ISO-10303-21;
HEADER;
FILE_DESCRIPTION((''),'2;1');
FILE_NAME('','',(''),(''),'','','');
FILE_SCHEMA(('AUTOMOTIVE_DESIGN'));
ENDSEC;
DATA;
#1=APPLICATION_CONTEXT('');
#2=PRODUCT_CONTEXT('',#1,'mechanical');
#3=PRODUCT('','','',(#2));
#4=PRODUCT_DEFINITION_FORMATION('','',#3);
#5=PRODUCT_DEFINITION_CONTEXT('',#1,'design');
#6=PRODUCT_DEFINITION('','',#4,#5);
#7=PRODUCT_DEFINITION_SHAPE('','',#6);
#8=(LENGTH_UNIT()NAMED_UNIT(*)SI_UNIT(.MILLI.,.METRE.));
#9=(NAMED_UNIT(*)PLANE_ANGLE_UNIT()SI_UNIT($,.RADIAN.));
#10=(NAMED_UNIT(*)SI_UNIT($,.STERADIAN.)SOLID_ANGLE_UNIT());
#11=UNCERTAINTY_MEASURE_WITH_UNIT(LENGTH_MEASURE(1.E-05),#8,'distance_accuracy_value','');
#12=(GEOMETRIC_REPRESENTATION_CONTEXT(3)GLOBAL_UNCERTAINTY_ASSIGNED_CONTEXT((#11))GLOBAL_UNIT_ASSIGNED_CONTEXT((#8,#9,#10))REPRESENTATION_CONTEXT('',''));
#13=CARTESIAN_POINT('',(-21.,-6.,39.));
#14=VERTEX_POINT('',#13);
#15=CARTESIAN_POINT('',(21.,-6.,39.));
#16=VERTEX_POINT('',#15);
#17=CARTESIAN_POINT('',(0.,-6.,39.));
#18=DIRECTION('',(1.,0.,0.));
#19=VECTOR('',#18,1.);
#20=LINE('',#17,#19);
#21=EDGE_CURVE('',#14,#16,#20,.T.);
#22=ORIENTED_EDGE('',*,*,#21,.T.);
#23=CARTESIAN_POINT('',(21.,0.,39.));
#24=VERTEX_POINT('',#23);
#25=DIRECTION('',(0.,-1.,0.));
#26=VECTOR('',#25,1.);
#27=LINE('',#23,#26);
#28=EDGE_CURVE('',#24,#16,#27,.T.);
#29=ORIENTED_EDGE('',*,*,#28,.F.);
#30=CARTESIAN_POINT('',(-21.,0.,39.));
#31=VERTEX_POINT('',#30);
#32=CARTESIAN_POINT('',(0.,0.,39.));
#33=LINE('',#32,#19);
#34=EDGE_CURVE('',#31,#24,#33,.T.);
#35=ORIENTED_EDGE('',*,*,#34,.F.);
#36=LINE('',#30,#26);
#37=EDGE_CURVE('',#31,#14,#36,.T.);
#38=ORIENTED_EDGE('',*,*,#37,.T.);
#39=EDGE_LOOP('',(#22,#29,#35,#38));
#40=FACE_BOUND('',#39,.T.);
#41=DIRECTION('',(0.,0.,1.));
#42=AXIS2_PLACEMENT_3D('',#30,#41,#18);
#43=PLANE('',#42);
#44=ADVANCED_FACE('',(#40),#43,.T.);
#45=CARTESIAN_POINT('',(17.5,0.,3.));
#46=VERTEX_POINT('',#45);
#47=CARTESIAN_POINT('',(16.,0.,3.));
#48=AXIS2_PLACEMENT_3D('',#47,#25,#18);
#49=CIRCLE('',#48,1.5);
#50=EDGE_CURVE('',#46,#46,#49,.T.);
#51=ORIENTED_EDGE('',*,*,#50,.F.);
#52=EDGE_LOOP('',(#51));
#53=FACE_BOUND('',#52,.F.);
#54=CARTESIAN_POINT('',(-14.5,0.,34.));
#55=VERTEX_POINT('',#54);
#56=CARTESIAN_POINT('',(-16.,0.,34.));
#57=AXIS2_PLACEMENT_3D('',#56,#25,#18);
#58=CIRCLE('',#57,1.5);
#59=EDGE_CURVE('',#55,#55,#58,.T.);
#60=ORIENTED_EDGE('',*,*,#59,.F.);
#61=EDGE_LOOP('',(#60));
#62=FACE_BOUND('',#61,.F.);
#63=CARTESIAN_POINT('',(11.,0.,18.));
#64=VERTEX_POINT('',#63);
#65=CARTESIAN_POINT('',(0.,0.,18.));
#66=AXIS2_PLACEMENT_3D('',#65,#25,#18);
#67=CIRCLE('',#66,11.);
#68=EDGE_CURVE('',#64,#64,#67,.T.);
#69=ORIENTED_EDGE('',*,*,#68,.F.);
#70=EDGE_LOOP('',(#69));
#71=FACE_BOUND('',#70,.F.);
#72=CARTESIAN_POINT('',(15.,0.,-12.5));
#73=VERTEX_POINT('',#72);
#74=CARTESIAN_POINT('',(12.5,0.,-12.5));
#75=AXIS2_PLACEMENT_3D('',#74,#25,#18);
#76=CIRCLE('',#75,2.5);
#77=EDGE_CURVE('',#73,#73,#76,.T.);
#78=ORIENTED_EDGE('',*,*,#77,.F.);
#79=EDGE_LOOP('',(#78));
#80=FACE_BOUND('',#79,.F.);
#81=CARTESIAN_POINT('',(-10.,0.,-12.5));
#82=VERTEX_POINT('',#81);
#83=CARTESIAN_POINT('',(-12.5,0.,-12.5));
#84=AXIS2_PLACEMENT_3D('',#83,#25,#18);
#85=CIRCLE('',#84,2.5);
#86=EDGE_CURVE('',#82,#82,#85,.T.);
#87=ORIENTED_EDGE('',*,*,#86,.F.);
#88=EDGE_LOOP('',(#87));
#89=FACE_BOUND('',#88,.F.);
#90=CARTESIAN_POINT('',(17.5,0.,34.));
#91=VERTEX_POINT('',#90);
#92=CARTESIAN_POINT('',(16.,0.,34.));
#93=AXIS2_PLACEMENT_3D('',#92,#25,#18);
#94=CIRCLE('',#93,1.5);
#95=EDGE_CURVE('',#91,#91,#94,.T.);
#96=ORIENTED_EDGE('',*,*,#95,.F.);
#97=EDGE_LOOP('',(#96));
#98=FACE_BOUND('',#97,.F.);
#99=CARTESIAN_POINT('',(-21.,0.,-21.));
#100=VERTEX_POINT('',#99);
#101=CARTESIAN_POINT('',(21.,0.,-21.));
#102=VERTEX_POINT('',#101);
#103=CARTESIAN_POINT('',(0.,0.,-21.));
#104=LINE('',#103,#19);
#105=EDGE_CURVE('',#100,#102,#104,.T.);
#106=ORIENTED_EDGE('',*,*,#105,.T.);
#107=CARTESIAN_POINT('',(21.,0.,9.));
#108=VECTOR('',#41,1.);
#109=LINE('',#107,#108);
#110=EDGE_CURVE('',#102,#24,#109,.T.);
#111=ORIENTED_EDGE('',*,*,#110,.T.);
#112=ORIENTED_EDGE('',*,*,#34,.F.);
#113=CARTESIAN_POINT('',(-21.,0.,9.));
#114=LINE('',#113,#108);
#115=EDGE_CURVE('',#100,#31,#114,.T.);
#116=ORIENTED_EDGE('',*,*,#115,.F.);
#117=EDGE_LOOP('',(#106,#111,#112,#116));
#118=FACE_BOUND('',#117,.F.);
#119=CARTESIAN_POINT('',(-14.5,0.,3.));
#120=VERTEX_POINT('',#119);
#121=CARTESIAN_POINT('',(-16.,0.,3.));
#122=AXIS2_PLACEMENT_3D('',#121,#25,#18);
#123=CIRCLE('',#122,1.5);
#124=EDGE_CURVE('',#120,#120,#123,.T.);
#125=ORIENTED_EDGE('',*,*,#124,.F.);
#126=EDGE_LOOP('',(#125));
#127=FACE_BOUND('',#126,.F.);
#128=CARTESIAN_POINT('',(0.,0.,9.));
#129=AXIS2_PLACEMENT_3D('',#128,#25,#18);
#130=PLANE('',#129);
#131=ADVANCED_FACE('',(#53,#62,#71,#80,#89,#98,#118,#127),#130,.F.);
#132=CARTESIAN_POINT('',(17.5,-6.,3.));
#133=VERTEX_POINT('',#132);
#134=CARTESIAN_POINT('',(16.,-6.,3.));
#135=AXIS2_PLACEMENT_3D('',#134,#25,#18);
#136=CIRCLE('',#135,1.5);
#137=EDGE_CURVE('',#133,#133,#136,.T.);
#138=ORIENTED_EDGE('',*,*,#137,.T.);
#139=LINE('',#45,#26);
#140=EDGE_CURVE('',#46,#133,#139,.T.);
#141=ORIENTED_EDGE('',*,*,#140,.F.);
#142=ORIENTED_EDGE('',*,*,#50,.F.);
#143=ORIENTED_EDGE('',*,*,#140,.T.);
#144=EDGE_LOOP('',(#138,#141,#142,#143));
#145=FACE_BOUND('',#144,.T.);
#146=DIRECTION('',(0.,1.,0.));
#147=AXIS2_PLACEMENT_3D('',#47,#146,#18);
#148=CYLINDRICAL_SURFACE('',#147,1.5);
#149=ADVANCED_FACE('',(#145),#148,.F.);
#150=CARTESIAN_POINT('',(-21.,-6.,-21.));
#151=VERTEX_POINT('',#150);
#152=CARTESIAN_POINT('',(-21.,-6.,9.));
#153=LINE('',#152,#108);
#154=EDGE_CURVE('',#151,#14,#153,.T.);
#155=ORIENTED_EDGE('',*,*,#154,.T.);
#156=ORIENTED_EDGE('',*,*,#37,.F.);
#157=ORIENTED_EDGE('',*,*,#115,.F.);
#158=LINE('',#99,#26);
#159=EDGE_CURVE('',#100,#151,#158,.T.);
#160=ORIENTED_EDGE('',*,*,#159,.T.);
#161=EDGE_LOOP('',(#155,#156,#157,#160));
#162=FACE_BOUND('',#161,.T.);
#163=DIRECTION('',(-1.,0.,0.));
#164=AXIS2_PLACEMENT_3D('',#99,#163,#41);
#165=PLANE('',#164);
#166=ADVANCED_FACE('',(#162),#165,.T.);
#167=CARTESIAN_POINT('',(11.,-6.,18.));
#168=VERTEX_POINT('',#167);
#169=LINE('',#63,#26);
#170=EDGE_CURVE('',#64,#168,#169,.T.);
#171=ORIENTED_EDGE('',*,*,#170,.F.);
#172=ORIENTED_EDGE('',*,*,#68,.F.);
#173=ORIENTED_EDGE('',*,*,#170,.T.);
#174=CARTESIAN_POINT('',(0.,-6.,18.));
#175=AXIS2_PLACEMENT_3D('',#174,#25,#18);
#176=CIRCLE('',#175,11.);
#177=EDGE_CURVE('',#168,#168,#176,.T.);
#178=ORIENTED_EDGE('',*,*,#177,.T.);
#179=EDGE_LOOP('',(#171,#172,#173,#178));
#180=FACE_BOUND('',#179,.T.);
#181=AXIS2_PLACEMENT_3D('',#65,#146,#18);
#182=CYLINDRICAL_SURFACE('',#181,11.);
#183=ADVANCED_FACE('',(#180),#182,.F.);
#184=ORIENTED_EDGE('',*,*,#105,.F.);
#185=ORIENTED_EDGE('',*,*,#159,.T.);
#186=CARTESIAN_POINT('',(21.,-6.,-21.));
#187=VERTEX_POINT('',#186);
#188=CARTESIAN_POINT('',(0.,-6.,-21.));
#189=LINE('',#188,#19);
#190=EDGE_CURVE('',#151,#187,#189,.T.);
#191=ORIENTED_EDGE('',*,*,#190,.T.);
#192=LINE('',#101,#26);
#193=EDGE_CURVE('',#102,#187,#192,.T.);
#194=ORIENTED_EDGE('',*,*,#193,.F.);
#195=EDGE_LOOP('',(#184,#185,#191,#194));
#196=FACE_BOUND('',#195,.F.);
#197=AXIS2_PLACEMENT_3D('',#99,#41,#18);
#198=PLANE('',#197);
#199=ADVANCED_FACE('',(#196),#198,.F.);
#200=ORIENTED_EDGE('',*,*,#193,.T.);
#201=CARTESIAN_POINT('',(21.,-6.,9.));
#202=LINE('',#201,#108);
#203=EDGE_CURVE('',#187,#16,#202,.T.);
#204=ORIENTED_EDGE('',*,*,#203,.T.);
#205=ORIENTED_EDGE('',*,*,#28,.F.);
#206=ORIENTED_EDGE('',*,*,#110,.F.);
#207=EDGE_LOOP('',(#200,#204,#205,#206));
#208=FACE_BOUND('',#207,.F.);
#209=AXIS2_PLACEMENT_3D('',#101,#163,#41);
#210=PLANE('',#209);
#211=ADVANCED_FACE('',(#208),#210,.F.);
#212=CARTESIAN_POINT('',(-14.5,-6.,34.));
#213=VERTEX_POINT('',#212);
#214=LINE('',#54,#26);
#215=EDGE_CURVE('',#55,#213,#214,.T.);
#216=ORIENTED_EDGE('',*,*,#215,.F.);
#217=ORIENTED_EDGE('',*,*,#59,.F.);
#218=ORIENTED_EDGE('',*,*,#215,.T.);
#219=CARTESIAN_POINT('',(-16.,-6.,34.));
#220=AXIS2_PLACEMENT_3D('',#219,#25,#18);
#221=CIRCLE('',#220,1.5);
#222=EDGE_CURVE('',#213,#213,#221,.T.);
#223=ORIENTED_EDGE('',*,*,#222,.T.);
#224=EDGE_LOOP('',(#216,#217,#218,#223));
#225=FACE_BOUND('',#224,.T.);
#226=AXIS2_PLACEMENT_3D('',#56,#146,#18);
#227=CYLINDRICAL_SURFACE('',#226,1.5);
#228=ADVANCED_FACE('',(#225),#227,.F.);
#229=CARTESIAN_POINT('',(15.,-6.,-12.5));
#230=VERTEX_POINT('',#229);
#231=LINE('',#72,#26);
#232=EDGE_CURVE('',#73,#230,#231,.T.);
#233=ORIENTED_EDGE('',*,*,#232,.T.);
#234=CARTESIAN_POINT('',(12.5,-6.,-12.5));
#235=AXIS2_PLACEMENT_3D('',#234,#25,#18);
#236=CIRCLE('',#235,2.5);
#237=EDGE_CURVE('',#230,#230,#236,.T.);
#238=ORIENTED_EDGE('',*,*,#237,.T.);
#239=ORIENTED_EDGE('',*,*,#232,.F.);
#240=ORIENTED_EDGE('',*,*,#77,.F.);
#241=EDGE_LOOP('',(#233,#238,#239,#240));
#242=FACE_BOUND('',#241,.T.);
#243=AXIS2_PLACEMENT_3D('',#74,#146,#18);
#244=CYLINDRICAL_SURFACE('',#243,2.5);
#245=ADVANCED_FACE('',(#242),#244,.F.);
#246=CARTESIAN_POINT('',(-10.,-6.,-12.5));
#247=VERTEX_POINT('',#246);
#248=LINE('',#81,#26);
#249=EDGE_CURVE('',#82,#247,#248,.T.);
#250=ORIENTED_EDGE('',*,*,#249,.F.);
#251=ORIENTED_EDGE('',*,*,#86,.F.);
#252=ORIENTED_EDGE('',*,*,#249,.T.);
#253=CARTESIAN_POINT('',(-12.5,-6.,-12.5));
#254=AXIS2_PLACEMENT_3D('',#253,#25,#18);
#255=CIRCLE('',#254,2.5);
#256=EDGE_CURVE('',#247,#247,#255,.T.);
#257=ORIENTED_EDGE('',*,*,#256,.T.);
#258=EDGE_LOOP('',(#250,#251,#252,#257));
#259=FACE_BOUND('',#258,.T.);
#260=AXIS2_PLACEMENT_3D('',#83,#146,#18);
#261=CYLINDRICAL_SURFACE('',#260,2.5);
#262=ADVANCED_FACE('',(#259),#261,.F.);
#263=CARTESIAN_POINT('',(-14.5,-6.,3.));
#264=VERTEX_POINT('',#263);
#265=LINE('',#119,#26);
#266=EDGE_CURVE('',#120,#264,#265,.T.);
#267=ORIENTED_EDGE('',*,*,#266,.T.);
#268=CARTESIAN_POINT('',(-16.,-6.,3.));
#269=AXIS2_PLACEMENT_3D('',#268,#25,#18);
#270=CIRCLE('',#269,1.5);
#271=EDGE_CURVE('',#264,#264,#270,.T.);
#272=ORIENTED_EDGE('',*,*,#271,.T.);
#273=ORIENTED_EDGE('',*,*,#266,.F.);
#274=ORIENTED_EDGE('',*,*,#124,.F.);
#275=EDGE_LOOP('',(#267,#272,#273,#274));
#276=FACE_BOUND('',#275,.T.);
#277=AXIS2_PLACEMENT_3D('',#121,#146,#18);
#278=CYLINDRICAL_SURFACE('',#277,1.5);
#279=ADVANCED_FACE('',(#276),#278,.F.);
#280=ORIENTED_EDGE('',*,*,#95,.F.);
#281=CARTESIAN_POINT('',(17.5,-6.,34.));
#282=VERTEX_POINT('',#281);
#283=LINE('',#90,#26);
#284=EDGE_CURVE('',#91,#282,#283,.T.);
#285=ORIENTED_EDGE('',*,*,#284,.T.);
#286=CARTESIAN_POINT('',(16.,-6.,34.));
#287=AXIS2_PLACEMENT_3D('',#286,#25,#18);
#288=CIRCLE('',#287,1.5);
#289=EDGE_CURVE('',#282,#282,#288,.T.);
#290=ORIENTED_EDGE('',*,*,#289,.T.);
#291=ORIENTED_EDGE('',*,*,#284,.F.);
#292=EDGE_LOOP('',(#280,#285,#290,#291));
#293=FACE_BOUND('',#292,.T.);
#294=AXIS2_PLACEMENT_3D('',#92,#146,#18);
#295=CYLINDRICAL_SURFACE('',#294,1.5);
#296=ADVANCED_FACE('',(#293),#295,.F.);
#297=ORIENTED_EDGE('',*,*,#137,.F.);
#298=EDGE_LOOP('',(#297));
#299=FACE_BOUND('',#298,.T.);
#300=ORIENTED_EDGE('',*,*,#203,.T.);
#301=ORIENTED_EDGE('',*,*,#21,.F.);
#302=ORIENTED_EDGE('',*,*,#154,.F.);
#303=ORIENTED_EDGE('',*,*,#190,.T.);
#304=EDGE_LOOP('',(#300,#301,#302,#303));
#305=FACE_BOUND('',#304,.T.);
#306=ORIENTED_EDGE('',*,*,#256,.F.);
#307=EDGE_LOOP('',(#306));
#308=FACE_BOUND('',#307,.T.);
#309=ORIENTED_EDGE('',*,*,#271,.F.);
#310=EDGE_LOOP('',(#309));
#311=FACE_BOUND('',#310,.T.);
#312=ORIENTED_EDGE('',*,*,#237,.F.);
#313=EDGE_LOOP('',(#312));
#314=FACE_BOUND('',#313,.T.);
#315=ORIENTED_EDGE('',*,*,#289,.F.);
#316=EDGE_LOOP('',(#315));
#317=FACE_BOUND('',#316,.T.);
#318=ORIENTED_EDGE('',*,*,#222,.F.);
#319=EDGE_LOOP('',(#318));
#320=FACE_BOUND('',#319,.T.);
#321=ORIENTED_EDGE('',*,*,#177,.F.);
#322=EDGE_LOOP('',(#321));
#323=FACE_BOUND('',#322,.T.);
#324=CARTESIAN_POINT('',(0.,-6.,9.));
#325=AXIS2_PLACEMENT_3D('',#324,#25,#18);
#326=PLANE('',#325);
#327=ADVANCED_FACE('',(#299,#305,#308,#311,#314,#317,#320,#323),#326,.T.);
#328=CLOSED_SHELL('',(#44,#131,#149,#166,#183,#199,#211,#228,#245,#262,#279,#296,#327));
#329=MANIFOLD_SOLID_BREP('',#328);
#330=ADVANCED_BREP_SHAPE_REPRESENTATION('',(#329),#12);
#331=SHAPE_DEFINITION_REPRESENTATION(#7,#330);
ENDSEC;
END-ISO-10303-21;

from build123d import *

# Parameters (mm, degrees)
F0_W     = 42
F0_H     = 60
F0_R     = 2.5
F0_R_2   = 1.5
F0_R_3   = 11
F1_DEPTH = 6


with BuildPart() as f1:
    # F0 (on Front) → F1 (new body)
    with BuildSketch(Plane.XZ):
        with Locations((0, 9)):
            Rectangle(F0_W, F0_H)
        with Locations((-12.5, -12.5)):
            Circle(F0_R, mode=Mode.SUBTRACT)
        with Locations((-16, 3)):
            Circle(F0_R_2, mode=Mode.SUBTRACT)
        with Locations((12.5, -12.5)):
            Circle(F0_R, mode=Mode.SUBTRACT)
        with Locations((16, 3)):
            Circle(F0_R_2, mode=Mode.SUBTRACT)
        with Locations((-16, 34)):
            Circle(F0_R_2, mode=Mode.SUBTRACT)
        with Locations((0, 18)):
            Circle(F0_R_3, mode=Mode.SUBTRACT)
        with Locations((16, 34)):
            Circle(F0_R_2, mode=Mode.SUBTRACT)
    extrude(amount=F1_DEPTH)


solid = f1.part
